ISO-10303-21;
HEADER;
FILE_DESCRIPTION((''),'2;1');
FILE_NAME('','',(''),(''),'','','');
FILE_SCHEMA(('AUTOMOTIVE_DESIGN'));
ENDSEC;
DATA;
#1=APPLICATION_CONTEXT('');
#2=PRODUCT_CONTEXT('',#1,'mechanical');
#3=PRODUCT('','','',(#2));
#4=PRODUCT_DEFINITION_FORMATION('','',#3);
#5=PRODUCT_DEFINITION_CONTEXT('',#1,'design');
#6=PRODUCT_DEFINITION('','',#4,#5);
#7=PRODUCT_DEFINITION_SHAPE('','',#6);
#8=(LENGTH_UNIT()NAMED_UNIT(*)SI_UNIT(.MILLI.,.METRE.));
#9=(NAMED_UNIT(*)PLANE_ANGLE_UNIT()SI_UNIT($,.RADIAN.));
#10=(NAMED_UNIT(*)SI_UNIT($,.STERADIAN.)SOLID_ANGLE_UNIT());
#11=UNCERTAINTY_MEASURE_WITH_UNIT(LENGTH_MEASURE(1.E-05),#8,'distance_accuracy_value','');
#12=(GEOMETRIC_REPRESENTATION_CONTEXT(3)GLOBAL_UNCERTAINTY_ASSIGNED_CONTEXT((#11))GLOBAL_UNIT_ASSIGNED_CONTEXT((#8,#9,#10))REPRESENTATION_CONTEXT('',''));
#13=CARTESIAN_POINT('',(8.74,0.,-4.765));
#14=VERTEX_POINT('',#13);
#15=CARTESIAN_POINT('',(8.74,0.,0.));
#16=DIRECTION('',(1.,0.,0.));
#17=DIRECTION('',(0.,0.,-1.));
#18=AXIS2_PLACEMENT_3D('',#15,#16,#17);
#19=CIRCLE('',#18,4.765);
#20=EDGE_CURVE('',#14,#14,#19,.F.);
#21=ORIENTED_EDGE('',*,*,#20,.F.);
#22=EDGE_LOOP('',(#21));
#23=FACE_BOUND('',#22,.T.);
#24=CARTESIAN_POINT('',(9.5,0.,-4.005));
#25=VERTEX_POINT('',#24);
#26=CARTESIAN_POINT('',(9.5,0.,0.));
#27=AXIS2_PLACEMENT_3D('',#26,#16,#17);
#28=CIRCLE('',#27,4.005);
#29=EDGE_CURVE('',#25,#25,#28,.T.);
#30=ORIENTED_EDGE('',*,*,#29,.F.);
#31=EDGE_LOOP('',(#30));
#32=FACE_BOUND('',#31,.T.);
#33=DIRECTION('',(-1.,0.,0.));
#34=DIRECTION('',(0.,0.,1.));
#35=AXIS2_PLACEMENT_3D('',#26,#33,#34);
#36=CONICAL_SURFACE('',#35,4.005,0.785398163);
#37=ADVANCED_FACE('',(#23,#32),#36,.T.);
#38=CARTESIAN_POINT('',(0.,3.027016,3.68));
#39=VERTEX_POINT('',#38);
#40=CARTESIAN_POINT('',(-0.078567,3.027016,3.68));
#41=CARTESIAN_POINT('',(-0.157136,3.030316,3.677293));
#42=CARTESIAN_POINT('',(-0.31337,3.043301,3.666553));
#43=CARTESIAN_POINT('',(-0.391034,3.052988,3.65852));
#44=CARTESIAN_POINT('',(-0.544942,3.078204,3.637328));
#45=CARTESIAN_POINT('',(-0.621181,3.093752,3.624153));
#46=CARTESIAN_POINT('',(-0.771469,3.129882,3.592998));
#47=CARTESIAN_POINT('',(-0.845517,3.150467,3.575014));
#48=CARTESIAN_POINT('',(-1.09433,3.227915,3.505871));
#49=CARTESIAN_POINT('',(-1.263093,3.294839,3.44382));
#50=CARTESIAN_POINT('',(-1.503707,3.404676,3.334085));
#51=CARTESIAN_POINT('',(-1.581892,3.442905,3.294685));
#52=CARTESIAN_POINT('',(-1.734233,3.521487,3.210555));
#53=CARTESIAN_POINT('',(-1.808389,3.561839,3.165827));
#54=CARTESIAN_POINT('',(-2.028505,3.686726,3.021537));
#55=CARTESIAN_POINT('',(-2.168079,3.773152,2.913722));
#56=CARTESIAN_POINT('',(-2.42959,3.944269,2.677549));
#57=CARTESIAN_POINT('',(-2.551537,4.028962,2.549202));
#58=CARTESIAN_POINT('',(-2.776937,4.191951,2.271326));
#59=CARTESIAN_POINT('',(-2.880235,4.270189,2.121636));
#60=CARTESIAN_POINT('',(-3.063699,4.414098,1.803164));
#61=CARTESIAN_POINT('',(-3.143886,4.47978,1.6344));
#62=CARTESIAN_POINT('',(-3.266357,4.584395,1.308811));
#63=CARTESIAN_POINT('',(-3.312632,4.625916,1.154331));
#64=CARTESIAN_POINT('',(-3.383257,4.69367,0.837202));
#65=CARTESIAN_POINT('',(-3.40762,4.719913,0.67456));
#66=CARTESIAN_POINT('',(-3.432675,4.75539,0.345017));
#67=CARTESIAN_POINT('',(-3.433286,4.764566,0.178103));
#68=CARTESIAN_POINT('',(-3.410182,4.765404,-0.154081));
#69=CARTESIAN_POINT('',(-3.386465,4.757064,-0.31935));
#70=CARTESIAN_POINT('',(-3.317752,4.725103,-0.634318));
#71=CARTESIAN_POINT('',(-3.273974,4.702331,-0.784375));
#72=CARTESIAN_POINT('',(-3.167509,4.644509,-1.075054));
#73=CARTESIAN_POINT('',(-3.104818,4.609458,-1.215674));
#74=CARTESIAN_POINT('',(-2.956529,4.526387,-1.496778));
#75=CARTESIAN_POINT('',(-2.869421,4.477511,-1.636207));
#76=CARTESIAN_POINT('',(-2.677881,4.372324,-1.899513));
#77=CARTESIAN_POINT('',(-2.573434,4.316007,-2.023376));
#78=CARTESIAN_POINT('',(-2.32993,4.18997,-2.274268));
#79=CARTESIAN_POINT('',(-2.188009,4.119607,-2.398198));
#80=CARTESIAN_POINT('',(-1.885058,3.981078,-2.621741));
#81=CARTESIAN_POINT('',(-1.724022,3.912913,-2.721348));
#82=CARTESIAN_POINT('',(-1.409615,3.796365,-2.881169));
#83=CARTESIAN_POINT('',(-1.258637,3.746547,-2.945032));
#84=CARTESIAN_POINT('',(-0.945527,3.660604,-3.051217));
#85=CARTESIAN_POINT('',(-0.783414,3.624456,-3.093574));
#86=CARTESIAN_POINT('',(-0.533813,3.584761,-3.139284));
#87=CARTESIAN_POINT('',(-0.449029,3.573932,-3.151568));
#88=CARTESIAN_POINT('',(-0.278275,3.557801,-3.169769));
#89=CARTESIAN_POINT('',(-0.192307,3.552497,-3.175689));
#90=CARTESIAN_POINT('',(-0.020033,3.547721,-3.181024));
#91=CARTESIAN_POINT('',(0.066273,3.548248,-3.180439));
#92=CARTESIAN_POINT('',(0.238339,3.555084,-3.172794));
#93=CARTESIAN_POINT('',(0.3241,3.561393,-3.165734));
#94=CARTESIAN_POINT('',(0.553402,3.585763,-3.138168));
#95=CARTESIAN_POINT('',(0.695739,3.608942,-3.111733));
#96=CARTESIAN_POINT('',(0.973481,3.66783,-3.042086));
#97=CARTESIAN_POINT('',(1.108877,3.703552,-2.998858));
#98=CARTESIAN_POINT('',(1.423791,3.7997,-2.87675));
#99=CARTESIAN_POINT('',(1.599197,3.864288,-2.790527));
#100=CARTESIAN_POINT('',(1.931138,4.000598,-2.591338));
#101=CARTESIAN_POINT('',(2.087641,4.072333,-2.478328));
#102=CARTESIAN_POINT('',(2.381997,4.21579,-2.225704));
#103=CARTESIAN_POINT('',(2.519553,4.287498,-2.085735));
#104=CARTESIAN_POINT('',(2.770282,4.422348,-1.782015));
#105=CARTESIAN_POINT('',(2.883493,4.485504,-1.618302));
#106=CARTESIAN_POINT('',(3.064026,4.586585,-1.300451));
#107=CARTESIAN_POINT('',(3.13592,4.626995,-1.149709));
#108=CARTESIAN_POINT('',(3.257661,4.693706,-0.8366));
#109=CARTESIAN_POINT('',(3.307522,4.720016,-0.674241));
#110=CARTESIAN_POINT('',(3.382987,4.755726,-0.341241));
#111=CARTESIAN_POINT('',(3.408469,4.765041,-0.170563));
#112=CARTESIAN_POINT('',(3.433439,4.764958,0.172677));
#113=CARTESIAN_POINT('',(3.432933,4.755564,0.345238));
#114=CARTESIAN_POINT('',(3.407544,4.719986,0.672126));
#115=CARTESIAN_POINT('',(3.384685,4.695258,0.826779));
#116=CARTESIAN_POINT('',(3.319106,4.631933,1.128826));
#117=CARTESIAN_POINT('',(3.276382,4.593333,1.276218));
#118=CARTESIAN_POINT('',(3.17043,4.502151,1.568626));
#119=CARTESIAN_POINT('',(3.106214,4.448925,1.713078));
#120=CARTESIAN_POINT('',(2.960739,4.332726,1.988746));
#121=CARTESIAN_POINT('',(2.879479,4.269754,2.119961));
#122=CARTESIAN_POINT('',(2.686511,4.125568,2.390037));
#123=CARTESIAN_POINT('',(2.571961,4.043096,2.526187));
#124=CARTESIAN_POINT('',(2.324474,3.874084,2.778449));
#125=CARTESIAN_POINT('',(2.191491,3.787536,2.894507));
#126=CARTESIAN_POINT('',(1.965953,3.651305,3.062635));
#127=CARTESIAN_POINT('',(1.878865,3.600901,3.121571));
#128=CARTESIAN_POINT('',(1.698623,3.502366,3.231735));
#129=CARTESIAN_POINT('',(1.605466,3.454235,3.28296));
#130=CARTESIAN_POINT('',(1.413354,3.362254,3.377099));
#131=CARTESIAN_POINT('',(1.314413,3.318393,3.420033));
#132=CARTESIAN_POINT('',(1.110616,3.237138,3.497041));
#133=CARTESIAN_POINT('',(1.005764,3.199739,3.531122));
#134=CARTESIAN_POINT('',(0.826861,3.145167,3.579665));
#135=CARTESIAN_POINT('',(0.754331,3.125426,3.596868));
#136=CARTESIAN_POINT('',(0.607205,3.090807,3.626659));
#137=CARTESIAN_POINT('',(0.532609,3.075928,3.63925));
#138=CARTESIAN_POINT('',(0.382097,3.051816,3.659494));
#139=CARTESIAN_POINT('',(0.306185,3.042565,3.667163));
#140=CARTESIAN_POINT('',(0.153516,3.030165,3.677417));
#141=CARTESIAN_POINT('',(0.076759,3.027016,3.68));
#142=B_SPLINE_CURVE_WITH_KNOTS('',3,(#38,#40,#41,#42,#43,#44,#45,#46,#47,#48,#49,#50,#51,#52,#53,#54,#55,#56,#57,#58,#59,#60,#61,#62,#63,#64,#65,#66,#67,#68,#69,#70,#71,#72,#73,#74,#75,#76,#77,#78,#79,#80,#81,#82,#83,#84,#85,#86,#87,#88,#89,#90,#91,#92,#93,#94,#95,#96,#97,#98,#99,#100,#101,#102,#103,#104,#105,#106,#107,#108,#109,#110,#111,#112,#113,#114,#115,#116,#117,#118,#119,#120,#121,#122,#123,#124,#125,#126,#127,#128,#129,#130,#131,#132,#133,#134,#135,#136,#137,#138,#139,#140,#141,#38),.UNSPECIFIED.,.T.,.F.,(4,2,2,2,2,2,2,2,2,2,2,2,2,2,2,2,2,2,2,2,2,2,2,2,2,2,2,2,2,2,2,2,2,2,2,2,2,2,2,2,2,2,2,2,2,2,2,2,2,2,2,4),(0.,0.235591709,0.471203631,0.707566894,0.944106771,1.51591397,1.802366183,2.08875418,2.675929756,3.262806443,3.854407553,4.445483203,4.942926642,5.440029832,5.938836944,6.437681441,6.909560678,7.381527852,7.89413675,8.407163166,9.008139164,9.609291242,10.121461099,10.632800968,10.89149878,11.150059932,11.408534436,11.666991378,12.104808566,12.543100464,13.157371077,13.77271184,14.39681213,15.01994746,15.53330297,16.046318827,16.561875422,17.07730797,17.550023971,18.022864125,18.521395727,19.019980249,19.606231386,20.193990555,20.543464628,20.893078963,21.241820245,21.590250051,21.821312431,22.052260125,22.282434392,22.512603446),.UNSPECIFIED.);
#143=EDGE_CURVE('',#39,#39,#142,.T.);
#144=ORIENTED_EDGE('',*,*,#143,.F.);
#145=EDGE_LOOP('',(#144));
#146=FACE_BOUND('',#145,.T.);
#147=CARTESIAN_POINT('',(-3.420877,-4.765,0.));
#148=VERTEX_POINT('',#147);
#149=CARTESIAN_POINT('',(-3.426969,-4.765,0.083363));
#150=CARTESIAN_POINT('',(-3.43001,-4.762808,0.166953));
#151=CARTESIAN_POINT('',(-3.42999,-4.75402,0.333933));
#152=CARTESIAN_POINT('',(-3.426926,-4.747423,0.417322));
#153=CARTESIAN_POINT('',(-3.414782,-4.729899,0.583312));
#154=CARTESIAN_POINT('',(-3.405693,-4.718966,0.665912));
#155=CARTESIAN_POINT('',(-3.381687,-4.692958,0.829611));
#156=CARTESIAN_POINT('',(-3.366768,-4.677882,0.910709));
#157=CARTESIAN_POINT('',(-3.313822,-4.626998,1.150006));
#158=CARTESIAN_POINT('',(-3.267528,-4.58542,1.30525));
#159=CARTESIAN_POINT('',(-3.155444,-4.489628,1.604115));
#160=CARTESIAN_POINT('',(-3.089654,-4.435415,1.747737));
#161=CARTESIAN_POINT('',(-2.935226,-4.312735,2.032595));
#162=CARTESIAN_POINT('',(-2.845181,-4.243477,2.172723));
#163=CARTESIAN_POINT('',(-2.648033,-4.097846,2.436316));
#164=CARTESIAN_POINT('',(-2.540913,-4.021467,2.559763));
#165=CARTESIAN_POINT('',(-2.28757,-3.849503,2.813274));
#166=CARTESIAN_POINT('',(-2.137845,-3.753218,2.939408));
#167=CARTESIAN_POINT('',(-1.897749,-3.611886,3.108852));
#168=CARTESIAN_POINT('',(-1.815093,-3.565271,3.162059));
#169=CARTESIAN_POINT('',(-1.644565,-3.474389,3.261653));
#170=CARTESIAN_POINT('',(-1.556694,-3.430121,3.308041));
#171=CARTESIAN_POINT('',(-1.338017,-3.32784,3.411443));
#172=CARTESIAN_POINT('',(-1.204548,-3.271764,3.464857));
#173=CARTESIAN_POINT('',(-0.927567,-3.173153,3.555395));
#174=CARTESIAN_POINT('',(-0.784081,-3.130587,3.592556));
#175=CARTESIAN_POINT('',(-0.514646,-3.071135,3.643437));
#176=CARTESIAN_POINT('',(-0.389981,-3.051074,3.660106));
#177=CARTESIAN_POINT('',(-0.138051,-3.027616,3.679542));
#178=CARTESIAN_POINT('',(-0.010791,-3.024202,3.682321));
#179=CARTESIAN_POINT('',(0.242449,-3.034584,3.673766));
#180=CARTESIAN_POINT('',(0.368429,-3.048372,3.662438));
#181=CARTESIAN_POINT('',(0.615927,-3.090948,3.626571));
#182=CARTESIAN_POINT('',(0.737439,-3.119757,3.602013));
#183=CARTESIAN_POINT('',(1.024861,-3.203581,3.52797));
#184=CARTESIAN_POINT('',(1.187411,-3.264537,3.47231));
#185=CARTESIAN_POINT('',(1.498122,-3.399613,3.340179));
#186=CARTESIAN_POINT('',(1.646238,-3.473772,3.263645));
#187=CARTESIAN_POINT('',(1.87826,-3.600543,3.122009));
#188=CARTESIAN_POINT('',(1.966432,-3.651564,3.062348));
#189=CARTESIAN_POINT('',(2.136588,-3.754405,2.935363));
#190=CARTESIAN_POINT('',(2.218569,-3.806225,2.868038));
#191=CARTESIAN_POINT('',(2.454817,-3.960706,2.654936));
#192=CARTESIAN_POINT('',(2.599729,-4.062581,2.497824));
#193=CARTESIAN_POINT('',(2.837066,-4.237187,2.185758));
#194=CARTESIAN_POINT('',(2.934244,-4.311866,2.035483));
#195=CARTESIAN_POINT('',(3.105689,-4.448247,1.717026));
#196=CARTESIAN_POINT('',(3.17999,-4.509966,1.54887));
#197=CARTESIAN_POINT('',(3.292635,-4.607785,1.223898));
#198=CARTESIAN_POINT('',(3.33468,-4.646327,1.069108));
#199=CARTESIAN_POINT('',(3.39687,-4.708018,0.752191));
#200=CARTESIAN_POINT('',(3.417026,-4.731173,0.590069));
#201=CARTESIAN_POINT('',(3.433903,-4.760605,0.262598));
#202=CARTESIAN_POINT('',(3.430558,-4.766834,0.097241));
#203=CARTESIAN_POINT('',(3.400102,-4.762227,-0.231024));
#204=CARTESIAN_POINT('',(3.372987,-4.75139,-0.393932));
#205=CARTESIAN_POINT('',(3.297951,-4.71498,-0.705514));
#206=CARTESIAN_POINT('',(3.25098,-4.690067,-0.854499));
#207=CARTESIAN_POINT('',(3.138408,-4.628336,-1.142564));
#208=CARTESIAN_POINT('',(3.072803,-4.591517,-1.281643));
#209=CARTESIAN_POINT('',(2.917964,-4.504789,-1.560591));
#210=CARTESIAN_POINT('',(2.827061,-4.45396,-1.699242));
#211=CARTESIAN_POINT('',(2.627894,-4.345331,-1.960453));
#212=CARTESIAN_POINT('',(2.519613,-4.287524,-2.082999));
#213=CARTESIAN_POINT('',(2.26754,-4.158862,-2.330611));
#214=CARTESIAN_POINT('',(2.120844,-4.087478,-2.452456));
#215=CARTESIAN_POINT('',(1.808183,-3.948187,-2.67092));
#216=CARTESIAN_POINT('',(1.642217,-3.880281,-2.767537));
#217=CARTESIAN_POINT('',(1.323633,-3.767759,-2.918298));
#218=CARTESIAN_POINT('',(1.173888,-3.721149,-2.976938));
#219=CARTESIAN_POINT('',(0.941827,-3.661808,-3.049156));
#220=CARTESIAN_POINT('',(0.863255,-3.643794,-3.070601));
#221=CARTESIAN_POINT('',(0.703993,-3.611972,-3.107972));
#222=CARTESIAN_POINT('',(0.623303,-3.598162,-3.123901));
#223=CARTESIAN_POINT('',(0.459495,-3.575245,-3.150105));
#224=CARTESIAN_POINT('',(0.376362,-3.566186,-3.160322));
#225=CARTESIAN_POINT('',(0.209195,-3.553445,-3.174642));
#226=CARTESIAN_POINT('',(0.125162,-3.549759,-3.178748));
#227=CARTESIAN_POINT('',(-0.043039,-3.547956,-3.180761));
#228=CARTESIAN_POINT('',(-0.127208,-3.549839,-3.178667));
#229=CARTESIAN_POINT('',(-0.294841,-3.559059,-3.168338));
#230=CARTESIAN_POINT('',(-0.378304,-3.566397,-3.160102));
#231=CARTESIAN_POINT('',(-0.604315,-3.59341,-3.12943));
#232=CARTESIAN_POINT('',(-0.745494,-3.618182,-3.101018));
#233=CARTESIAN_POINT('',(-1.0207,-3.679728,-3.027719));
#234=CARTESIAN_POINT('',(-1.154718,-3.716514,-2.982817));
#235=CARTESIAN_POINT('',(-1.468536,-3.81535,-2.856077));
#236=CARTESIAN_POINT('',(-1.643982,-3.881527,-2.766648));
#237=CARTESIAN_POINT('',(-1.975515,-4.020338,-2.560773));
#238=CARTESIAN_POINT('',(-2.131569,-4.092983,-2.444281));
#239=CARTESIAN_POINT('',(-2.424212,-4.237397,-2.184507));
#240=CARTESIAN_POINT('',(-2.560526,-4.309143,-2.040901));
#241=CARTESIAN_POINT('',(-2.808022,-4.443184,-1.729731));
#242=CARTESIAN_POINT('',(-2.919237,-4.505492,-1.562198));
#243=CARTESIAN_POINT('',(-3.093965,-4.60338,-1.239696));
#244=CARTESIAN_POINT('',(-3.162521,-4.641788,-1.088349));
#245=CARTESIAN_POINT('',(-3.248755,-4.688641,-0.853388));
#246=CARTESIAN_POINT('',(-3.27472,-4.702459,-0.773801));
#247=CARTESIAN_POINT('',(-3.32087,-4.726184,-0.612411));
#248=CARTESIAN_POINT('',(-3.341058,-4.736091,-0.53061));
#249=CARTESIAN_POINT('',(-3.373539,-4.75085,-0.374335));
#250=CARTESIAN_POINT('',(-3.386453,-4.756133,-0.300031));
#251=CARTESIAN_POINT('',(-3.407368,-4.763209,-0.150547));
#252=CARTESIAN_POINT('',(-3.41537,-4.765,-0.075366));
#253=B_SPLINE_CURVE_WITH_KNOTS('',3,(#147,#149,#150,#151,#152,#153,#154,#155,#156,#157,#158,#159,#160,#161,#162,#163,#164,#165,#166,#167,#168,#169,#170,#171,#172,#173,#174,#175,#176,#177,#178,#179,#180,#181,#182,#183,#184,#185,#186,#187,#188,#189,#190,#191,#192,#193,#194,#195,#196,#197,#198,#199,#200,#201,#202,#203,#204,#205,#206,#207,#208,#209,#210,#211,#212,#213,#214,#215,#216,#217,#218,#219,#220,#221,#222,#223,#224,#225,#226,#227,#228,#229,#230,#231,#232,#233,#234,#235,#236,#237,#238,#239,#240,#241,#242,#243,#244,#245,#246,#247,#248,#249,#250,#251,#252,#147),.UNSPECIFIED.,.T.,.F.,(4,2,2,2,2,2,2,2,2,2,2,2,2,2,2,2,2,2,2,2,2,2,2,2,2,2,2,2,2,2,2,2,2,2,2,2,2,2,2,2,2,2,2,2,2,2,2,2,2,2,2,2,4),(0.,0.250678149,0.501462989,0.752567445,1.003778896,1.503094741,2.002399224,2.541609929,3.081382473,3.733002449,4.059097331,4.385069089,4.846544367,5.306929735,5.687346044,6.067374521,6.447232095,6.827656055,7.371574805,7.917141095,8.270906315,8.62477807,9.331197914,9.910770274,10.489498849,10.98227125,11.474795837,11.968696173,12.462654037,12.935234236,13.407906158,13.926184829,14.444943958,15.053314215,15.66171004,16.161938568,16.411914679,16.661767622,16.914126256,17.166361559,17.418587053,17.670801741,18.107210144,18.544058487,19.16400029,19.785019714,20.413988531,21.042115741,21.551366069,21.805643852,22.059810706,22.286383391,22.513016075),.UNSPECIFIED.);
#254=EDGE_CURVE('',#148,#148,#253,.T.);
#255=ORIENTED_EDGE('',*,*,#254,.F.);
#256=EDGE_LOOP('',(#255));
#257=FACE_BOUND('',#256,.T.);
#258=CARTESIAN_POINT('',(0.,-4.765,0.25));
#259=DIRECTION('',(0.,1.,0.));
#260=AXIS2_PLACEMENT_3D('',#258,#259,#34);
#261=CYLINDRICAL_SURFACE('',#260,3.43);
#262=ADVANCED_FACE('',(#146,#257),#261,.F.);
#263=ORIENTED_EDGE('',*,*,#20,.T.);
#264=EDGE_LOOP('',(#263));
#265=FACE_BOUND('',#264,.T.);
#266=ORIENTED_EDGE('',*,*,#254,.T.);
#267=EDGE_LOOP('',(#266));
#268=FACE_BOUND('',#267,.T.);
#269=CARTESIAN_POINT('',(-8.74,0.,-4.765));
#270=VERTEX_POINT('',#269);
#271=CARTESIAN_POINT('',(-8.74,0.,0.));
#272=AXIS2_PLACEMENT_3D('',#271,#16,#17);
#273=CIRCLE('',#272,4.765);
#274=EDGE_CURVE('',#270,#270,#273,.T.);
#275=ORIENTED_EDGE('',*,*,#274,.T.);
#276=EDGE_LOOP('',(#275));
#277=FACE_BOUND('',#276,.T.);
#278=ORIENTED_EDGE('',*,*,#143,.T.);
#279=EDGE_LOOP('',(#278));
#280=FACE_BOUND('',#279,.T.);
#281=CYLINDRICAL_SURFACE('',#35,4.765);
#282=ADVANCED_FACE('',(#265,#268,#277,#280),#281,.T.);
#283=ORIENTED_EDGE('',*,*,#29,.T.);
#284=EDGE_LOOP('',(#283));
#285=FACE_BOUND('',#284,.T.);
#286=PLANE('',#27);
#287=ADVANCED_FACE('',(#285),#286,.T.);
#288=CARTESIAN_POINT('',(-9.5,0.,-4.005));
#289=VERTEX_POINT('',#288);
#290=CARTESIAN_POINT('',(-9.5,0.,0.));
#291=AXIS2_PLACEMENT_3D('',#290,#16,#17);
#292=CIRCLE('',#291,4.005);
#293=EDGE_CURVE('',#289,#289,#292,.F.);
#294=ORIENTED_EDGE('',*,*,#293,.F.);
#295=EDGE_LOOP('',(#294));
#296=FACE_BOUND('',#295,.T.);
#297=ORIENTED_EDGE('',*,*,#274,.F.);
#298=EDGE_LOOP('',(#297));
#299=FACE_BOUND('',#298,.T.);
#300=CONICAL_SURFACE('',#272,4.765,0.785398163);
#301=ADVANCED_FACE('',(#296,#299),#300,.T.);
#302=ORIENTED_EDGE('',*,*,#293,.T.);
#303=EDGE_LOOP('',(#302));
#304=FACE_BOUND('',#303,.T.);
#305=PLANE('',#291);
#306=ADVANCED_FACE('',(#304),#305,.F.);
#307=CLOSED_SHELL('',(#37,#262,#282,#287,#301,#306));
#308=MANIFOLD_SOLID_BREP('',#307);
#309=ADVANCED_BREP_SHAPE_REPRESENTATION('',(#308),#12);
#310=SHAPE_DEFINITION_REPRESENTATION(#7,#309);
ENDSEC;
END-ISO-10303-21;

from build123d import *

# Parameters (mm, degrees)
SKETCH1_R               = 4.765
BOSS_EXTRUDE1_DEPTH     = 9.5
CHAMFER1_SIZE           = 0.76
SKETCH2_R               = 3.43
CUT_EXTRUDE1_DEPTH      = 5.765
CUT_EXTRUDE1_DEPTH_BACK = 5.765


with BuildPart() as part:
    # Sketch1 → Boss-Extrude1 (new body, symmetric)
    with BuildSketch(Plane(origin=(0, 0, 0), x_dir=(0, 0, -1), z_dir=(1, 0, 0))):
        Circle(SKETCH1_R)
    extrude(amount=BOSS_EXTRUDE1_DEPTH, both=True)

    # Chamfer1
    chamfer1_edges = [part.edges().sort_by_distance(p)[0] for p in [
        (-9.5, 0, 4.765),
        (9.5, 0, 4.765),
    ]]
    chamfer(chamfer1_edges, length=CHAMFER1_SIZE)

    # Sketch2 → Cut-Extrude1 (cut, two sides)
    with BuildSketch(Plane(origin=(0, 0, 0), x_dir=(1, 0, 0), z_dir=(0, 1, 0))) as cut_extrude1_sk:
        with Locations((0, -0.25)):
            Circle(SKETCH2_R)
    extrude(amount=CUT_EXTRUDE1_DEPTH, mode=Mode.SUBTRACT)
    extrude(cut_extrude1_sk.sketch, amount=-CUT_EXTRUDE1_DEPTH_BACK, mode=Mode.SUBTRACT)


solid = part.part
